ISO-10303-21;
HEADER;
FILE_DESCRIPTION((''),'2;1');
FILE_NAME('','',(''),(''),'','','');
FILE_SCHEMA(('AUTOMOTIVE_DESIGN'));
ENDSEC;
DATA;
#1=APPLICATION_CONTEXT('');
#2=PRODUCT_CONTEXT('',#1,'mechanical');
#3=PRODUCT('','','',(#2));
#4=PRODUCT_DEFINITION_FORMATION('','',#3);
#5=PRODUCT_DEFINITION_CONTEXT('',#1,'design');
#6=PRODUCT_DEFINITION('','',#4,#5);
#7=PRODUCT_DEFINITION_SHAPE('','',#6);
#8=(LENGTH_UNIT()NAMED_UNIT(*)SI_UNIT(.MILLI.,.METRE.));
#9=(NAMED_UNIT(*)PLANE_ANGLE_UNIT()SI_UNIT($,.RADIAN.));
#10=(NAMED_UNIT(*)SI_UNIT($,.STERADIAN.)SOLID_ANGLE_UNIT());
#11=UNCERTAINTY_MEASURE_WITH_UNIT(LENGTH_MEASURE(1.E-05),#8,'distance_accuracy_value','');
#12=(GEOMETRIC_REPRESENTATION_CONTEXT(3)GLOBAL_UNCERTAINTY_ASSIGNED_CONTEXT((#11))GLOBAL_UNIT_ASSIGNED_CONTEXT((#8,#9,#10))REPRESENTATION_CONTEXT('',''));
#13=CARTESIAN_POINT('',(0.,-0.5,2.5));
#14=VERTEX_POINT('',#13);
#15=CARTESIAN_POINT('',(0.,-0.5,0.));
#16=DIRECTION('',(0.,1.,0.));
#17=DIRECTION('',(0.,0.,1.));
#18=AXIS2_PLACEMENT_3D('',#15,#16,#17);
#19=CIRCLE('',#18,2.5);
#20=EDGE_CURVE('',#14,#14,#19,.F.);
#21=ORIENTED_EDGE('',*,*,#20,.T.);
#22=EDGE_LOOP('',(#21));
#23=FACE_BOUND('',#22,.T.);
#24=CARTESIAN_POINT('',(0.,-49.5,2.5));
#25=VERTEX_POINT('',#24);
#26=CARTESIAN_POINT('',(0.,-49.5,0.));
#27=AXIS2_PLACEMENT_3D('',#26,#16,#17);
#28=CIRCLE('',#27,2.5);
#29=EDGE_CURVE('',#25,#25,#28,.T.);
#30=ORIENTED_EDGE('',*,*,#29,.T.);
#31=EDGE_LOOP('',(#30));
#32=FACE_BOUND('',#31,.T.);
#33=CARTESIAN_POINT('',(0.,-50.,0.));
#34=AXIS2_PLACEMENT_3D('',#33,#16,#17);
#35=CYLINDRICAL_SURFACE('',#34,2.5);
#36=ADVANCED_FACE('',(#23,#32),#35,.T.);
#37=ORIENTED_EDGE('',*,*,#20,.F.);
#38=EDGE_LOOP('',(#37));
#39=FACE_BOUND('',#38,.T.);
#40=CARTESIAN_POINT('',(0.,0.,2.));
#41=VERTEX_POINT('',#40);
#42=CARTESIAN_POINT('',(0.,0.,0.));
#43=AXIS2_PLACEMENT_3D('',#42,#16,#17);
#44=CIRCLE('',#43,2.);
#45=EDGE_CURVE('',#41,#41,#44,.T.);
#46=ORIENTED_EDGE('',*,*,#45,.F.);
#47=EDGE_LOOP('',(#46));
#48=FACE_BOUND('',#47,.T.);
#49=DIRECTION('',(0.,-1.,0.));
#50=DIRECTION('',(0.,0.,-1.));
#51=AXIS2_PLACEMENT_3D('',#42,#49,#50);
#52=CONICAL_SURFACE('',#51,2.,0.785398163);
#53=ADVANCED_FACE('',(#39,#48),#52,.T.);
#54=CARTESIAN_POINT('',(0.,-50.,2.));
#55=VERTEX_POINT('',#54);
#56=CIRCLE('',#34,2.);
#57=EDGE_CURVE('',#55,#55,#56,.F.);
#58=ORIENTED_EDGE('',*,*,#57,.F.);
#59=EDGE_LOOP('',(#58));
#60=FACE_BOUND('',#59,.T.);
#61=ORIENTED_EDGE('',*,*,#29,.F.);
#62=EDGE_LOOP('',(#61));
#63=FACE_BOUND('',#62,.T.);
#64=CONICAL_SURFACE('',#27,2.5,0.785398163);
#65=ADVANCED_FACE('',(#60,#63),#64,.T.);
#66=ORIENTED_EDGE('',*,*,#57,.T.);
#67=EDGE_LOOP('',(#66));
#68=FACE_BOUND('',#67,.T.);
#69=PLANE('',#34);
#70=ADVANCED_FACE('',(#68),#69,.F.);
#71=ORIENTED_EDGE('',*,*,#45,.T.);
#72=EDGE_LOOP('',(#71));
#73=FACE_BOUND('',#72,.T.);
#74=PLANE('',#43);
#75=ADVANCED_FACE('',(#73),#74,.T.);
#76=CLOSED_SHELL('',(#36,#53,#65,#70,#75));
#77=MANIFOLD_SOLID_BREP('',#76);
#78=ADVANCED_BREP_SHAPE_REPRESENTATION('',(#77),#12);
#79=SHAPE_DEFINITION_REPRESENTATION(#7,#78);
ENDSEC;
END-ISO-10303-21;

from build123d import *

# Parameters (mm, degrees)
SKETCH1_R           = 2.5
BOSS_EXTRUDE1_DEPTH = 50
CHAMFER1_SIZE       = 0.5


with BuildPart() as part:
    # Sketch1 → Boss-Extrude1 (new body)
    with BuildSketch(Plane(origin=(0, 0, 0), x_dir=(1, 0, 0), z_dir=(0, 1, 0))):
        with Locations(Location((0, 0, 0), (0, 0, 270))):
            Circle(SKETCH1_R)
    extrude(amount=-BOSS_EXTRUDE1_DEPTH)

    # Chamfer1
    chamfer1_edges = [part.edges().sort_by_distance(p)[0] for p in [
        (0, 0, -2.5),
        (0, -50, -2.5),
    ]]
    chamfer(chamfer1_edges, length=CHAMFER1_SIZE)


solid = part.part
